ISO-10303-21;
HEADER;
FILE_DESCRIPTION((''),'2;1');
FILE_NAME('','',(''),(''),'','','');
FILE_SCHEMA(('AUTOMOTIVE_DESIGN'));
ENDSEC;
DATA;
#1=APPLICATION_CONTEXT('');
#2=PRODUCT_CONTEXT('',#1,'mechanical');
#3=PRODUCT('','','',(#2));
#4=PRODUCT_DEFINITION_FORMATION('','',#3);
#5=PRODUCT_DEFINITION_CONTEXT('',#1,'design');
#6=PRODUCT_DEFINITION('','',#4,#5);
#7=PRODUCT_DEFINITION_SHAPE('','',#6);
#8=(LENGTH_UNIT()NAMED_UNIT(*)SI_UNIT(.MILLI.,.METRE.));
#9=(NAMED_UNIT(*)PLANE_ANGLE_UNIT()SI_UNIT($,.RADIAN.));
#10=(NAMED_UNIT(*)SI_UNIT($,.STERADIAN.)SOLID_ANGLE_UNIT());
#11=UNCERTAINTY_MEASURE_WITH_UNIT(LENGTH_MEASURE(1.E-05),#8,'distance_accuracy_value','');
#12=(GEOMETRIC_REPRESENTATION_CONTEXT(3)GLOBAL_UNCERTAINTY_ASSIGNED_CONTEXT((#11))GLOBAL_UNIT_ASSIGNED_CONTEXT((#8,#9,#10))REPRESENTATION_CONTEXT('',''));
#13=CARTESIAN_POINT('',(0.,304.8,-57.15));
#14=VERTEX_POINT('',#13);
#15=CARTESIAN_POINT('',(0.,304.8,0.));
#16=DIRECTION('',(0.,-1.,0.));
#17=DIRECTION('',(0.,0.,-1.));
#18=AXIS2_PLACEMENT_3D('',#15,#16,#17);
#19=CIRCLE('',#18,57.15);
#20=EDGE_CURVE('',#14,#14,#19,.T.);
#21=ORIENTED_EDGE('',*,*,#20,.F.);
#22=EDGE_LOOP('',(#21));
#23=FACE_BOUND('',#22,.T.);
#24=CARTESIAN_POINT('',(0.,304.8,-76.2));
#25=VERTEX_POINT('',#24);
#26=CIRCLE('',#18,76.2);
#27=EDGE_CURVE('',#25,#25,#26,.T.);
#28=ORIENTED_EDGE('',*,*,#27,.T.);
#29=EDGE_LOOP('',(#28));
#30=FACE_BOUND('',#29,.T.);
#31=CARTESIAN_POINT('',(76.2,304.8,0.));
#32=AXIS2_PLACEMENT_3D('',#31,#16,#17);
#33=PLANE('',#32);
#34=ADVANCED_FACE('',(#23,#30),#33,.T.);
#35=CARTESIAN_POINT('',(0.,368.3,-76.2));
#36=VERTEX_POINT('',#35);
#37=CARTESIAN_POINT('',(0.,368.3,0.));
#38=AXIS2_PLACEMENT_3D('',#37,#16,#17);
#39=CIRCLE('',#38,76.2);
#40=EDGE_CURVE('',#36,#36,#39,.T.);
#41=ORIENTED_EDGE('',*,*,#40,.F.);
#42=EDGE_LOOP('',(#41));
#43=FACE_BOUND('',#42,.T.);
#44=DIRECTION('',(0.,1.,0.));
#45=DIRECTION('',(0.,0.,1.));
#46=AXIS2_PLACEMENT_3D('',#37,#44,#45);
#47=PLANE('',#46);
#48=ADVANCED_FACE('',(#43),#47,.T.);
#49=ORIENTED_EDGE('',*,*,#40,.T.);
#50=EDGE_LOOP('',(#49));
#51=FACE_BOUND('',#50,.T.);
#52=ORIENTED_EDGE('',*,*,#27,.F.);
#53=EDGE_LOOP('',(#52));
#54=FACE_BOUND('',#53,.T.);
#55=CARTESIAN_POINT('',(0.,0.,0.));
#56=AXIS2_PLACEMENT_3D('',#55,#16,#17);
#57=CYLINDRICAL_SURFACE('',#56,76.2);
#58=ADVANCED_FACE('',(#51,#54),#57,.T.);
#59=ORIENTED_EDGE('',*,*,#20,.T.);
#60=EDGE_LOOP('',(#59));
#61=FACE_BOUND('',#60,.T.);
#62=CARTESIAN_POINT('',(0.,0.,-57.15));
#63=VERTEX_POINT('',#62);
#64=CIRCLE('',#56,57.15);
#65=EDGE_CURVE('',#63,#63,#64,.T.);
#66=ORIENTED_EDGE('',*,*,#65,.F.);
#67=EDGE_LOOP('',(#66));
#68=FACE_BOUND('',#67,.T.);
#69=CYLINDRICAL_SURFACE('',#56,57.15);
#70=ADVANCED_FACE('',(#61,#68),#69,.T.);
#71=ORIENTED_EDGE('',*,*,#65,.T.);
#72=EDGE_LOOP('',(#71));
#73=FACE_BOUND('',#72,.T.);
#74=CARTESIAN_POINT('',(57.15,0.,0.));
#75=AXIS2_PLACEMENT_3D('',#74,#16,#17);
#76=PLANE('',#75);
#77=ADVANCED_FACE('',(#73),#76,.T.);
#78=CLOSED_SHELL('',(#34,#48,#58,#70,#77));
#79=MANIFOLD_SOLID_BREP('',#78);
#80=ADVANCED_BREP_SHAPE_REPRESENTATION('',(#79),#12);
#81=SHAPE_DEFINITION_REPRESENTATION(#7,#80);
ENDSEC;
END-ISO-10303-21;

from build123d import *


with BuildPart() as part:
    # Sketch3 → Revolve1 (revolve)
    with BuildSketch(Plane.XY, mode=Mode.PRIVATE) as revolve1_sk:
        Polygon((0, 0), (0, 368.3), (76.2, 368.3), (76.2, 304.8), (57.15, 304.8), (57.15, 0), align=None)
    revolve(revolve1_sk.sketch.rotate(Axis((0, 0, 0), (0, 1, 0)), 90), axis=Axis((0, 0, 0), (0, 1, 0)))


solid = part.part
